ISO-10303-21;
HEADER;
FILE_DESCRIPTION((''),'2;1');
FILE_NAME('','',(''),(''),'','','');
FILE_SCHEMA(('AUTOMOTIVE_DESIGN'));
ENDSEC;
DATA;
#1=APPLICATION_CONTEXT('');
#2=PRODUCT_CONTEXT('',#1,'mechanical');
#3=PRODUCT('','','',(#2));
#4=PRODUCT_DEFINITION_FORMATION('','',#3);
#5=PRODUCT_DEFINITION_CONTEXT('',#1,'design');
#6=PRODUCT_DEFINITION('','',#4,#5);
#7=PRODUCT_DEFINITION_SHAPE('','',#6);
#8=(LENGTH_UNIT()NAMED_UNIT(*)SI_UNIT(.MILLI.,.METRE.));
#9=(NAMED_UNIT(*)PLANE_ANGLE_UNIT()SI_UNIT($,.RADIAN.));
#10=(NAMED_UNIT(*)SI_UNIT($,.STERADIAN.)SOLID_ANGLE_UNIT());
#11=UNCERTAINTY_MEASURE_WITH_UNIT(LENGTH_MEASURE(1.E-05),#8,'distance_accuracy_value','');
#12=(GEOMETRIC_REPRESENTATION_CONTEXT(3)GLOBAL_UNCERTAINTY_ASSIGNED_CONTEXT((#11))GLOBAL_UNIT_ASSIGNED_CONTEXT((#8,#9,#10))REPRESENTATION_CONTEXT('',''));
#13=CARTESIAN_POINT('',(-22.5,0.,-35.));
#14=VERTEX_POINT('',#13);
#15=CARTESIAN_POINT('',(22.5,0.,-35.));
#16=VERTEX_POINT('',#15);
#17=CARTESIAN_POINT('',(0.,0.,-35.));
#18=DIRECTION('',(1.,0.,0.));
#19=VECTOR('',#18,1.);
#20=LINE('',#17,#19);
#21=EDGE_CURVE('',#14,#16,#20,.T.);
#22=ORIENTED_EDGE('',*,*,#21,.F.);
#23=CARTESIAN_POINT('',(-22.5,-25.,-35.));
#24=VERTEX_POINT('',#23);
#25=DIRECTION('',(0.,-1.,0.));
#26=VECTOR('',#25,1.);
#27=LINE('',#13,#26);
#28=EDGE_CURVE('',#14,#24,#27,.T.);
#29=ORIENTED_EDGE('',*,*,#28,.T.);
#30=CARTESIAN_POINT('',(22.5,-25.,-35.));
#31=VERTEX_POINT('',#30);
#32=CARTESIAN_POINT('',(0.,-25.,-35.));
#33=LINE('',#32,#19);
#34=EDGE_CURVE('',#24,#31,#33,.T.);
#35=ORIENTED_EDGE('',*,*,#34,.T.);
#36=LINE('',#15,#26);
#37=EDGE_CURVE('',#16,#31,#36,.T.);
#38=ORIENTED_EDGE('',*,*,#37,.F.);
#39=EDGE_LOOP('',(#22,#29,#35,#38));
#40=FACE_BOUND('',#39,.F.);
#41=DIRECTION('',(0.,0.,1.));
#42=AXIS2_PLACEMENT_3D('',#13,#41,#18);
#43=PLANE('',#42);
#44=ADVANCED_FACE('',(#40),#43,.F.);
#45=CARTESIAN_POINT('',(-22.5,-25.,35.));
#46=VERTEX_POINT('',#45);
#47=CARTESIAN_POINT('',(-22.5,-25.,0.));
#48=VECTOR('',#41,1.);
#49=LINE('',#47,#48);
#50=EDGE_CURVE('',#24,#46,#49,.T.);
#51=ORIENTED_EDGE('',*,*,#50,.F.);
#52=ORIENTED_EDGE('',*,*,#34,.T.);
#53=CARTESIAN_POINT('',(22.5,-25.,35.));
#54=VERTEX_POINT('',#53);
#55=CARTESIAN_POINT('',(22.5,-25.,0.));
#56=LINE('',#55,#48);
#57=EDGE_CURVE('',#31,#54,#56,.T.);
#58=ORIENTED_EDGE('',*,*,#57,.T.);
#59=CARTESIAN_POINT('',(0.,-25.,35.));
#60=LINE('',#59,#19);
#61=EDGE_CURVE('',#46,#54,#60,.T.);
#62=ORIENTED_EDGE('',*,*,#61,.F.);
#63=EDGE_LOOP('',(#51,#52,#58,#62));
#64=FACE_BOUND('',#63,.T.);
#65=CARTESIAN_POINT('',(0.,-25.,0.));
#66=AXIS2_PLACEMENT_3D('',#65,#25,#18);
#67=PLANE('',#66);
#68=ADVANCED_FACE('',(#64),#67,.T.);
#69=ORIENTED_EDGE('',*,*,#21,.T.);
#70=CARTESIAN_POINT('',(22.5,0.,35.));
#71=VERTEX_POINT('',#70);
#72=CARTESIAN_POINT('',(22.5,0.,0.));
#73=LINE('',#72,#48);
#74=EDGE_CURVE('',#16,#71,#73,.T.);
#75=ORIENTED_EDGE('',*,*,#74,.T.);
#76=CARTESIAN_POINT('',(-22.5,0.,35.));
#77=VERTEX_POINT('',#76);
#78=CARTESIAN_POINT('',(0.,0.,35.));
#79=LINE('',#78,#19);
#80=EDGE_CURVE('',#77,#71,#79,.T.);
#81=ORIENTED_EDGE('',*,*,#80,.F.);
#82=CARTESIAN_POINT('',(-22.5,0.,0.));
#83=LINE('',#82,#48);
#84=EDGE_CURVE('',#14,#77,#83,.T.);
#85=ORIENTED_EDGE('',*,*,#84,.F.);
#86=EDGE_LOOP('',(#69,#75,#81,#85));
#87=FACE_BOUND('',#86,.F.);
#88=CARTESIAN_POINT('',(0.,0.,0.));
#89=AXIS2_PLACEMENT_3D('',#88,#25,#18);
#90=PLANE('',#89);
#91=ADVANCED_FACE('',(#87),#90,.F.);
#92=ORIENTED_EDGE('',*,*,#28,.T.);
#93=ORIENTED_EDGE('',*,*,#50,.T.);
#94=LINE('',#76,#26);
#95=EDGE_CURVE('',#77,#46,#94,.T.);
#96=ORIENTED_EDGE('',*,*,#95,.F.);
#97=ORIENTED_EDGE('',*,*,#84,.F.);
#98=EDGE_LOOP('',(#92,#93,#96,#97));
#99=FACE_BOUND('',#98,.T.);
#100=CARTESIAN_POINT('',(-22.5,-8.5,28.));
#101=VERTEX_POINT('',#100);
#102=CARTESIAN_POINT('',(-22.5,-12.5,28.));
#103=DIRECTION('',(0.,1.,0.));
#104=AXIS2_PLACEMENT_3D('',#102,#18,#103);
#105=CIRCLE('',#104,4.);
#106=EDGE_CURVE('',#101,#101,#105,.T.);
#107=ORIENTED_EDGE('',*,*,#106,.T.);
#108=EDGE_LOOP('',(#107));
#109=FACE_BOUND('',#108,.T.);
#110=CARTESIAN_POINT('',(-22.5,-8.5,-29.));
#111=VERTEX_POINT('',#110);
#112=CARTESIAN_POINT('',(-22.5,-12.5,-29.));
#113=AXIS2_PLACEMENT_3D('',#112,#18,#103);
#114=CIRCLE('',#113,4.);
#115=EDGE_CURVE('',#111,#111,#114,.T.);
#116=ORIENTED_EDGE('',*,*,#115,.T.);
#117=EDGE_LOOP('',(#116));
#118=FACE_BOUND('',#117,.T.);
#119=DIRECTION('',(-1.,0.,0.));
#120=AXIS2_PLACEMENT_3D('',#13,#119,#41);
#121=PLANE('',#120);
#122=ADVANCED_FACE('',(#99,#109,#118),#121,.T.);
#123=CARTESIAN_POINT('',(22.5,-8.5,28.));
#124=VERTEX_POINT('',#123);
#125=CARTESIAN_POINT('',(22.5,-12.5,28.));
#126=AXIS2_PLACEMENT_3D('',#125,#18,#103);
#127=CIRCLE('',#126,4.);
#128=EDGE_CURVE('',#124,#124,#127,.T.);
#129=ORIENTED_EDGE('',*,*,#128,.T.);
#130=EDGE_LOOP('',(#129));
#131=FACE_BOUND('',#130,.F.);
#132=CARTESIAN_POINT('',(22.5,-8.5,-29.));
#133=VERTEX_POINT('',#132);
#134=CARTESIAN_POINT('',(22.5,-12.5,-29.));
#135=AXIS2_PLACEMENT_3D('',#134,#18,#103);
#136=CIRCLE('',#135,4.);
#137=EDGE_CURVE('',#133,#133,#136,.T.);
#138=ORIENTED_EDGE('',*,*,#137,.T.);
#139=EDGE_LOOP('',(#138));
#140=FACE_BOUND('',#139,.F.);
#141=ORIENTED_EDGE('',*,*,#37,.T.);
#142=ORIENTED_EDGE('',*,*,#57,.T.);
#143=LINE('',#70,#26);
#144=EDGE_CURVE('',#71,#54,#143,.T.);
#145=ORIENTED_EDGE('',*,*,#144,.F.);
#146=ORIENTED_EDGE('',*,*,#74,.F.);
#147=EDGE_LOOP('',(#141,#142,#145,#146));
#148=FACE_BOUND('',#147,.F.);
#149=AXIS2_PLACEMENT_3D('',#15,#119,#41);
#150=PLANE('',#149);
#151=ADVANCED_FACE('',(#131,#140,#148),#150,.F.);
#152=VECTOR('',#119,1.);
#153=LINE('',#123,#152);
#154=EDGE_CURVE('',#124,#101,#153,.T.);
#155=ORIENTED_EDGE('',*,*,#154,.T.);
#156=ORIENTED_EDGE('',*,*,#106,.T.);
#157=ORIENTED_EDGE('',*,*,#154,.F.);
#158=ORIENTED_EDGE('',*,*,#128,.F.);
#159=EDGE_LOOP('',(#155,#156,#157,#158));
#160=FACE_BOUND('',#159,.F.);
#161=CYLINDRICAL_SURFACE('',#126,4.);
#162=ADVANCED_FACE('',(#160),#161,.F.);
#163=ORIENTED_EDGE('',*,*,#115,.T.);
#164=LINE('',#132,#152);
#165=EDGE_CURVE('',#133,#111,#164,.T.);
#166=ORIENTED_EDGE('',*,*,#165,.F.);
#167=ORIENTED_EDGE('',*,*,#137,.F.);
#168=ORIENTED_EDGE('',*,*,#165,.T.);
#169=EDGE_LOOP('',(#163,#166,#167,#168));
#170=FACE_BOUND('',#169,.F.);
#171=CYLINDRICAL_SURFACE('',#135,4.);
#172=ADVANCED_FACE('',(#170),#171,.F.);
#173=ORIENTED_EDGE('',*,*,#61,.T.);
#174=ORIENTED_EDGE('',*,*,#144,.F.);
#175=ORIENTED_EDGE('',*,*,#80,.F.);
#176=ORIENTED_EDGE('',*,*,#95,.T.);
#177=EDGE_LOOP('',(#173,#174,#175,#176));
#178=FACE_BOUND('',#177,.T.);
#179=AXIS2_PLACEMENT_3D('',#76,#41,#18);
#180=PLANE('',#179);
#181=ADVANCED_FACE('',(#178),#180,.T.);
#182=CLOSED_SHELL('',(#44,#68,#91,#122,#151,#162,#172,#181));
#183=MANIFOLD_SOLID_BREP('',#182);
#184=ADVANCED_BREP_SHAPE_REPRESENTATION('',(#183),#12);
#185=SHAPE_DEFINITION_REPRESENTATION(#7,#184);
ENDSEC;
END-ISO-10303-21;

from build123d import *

# Parameters (mm, degrees)
F0_W     = 45
F0_H     = 70
F1_DEPTH = 25
F2_R     = 4
F3_DEPTH = 45.001


with BuildPart() as f1:
    # F0 (on Front) → F1 (new body)
    with BuildSketch(Plane.XZ):
        Rectangle(F0_W, F0_H)
    extrude(amount=F1_DEPTH)

    # F2 (on face) → F3 (cut, through all)
    with BuildSketch(Plane.YZ.offset(22.5)):
        with Locations((-12.5, 28)):
            Circle(F2_R)
        with Locations((-12.5, -29)):
            Circle(F2_R)
    extrude(amount=-F3_DEPTH, mode=Mode.SUBTRACT)


solid = f1.part
